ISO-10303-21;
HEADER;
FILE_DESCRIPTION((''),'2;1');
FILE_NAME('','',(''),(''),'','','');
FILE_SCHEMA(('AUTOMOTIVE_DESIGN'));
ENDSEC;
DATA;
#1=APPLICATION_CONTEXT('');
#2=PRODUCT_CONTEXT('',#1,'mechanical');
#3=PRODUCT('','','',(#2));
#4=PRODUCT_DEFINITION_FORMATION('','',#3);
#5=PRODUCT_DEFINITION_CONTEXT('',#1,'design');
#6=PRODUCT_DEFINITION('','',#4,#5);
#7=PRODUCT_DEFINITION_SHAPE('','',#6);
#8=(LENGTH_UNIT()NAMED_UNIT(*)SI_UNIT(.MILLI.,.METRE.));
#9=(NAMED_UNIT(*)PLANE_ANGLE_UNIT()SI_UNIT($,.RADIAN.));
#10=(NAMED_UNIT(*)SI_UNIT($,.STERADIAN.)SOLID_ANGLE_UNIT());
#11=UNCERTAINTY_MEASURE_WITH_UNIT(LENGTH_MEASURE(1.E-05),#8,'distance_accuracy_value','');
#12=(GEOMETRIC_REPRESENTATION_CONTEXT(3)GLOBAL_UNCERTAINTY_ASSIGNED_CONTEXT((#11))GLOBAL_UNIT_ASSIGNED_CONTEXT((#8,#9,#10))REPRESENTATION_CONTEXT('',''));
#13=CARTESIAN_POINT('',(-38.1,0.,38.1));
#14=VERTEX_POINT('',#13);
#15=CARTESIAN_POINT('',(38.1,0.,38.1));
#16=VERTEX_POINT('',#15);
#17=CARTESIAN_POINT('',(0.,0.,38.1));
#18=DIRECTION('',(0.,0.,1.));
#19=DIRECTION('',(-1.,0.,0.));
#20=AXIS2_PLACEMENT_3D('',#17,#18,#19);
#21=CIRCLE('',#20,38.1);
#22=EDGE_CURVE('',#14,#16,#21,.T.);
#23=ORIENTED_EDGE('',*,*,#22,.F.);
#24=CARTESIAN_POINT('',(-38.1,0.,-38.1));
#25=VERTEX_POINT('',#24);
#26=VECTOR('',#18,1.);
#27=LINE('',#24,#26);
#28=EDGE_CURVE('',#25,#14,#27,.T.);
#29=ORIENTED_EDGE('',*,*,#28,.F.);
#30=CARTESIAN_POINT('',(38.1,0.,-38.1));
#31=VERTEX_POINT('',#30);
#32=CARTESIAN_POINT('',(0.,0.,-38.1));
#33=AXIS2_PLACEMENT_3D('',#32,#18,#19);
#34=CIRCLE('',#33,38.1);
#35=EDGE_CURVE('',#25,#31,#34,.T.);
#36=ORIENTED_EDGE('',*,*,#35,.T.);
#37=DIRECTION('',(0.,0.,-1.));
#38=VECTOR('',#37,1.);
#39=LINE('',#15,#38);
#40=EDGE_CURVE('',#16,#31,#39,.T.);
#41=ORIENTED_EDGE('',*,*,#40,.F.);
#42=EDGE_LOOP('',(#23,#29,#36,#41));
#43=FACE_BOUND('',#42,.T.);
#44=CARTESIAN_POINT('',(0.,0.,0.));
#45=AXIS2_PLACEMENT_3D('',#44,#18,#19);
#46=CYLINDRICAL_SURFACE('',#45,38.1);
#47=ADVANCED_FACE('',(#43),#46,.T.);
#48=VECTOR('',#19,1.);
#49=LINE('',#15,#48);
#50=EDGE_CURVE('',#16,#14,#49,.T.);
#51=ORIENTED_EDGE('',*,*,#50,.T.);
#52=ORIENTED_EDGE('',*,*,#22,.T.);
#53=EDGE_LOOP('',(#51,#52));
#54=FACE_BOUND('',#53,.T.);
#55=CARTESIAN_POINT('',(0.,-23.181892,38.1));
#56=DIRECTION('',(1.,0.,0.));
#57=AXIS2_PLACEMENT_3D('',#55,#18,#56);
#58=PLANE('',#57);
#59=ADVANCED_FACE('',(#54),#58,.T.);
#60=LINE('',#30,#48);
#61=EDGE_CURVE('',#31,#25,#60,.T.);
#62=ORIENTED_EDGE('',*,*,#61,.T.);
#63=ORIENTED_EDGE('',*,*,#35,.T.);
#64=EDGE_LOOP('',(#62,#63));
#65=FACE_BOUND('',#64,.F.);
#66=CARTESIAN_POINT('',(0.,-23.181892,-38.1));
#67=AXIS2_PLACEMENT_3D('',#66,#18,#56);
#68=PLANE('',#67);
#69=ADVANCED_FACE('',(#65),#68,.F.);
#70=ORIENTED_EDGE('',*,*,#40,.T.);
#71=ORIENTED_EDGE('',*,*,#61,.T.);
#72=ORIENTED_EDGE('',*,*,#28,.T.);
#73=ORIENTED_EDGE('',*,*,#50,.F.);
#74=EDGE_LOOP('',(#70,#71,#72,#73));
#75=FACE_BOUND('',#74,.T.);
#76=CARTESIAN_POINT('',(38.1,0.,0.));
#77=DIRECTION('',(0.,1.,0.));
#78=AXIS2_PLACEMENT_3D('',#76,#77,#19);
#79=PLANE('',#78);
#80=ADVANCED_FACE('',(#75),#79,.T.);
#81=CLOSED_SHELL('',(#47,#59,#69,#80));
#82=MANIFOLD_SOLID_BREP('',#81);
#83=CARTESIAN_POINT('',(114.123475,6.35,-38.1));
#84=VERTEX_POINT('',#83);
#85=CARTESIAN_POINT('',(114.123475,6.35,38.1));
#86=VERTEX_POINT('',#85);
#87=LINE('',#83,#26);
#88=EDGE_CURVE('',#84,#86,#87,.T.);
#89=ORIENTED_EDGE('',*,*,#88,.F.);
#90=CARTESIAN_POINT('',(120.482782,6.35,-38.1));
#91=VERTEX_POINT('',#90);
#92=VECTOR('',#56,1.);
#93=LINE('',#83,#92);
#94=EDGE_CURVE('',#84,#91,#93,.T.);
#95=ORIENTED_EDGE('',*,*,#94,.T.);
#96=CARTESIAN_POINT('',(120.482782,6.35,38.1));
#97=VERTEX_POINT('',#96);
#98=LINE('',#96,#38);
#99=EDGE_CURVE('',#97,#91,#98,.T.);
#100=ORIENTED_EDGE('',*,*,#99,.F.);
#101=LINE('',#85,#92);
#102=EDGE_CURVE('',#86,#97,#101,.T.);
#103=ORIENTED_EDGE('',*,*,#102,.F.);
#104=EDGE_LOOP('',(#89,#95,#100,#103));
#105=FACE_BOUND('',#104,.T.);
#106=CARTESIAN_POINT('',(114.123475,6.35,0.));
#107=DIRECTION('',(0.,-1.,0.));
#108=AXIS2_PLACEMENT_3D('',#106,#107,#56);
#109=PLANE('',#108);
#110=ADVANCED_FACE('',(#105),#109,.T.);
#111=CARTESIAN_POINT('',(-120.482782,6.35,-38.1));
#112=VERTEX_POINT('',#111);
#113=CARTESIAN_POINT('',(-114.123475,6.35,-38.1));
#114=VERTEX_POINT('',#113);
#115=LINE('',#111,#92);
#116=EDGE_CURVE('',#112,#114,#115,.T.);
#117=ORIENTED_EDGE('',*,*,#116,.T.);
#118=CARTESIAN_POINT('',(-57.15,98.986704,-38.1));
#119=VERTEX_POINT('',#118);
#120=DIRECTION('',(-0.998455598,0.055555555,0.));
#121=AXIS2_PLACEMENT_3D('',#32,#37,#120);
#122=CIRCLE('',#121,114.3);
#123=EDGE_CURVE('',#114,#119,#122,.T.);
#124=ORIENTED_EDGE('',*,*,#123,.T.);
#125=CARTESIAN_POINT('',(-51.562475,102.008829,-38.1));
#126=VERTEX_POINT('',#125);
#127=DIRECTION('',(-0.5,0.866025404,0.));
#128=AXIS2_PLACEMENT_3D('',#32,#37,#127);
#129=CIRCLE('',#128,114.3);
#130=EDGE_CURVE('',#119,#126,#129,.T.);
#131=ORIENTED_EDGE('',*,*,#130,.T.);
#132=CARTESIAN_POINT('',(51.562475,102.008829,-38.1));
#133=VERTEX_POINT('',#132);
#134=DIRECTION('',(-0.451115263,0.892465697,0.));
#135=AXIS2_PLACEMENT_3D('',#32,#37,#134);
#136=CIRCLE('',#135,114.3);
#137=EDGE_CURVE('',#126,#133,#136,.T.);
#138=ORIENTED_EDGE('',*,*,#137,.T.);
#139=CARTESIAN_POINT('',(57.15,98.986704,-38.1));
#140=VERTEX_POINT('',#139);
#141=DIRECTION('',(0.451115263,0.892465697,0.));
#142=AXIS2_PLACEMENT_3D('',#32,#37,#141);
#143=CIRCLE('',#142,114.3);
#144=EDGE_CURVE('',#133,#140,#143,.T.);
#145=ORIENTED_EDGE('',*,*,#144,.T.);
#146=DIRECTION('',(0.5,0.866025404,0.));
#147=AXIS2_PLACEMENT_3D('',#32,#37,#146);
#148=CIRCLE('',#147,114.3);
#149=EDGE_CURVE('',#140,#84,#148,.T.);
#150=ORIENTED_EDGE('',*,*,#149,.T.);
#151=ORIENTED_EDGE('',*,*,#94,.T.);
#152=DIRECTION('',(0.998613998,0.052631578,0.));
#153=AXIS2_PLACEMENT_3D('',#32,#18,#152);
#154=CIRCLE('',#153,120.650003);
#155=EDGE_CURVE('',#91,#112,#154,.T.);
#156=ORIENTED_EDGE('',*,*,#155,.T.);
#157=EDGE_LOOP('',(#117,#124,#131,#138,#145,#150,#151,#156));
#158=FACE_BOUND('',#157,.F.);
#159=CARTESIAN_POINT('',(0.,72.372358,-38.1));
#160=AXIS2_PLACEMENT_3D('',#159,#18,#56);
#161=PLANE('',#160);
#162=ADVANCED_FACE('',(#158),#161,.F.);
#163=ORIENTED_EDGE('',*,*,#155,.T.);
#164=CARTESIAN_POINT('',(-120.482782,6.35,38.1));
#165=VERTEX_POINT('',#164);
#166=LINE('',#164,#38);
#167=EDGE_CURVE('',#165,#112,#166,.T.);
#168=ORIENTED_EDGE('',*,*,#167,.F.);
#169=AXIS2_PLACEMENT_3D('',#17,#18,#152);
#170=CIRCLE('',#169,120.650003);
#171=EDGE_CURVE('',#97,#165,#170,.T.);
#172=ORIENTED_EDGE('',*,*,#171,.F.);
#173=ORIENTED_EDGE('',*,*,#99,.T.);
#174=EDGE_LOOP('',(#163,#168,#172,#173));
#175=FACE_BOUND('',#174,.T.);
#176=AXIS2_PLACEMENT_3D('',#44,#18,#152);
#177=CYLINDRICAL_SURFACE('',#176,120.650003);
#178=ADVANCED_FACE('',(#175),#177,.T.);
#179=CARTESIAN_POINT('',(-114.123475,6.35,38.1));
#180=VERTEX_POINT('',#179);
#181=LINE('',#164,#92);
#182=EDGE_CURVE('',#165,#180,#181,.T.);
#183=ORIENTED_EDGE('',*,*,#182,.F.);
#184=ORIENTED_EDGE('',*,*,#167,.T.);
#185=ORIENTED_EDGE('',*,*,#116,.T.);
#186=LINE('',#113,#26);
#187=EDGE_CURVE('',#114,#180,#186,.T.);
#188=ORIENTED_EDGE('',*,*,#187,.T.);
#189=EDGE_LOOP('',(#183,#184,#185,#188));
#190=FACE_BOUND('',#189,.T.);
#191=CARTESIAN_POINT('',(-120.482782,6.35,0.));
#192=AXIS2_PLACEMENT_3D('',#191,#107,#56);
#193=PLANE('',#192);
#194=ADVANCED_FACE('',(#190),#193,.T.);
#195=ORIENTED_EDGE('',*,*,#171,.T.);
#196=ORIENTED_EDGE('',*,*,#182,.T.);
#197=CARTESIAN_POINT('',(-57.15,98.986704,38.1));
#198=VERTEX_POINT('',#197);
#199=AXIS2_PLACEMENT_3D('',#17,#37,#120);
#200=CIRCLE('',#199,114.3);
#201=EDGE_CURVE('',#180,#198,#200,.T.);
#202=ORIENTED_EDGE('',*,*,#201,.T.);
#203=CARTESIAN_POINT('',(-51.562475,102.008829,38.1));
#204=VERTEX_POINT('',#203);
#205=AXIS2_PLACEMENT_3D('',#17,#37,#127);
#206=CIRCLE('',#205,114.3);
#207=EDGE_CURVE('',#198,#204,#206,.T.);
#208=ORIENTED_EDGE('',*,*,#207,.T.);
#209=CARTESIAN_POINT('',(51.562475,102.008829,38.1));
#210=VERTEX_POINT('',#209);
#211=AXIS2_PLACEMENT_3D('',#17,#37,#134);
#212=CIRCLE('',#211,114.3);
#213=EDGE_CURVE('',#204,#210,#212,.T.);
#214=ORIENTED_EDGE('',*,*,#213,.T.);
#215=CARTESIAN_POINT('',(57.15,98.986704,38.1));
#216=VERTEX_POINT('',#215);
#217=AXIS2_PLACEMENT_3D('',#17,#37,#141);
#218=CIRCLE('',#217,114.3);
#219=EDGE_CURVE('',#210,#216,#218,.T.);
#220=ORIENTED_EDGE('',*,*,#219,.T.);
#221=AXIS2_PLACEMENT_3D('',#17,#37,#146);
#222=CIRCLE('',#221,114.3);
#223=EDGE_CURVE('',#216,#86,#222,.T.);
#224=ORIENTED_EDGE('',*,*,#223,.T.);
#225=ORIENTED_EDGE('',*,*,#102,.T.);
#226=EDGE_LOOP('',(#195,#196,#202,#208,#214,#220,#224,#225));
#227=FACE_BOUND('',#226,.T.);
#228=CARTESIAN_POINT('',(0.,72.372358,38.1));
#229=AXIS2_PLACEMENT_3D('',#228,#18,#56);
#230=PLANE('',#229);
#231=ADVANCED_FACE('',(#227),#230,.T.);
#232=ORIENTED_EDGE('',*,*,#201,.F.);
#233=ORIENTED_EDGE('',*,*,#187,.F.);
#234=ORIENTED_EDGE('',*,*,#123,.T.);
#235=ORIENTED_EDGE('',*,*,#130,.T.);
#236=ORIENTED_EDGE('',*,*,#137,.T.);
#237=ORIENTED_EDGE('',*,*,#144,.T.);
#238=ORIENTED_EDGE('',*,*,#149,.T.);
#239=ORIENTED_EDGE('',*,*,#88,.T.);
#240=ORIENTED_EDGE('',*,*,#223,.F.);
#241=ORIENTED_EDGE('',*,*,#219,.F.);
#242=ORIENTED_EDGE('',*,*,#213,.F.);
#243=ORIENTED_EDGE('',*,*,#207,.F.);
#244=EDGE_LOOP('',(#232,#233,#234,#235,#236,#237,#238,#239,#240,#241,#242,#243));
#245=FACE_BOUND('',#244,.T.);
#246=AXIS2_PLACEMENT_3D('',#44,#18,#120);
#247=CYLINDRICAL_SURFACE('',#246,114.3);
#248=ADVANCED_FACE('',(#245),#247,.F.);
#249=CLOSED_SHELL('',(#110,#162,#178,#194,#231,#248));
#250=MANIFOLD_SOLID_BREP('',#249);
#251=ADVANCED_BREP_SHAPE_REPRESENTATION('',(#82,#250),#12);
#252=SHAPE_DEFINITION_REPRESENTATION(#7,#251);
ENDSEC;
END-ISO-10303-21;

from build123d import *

# Parameters (mm, degrees)
F1_DEPTH = 38.1000004709
F2_DEPTH = 38.1


with BuildPart() as f1:
    # F0 (on Top) → F1 (new body, symmetric)
    with BuildSketch(Plane.XY):
        with BuildLine():
            Line((-120.4827820438, 6.3499999233), (-114.1234748024, 6.3499999233))
            ThreePointArc((-114.1234748024, 6.3499999233), (-97.3603641744, 59.878622962), (-57.15, 98.9867036526))
            ThreePointArc((-57.15, 98.9867036526), (-54.3772364315, 100.5365911401), (-51.562474562, 102.0088291132))
            ThreePointArc((-51.562474562, 102.0088291132), (0, 114.3), (51.562474562, 102.0088291132))
            ThreePointArc((51.562474562, 102.0088291132), (54.3772364315, 100.5365911401), (57.15, 98.9867036526))
            ThreePointArc((57.15, 98.9867036526), (97.3603641543, 59.8786229947), (114.1234747981, 6.35))
            Line((114.1234747981, 6.35), (120.4827820397, 6.35))
            ThreePointArc((120.4827820397, 6.35), (-3.84e-08, 120.6500031829), (-120.4827820438, 6.3499999233))
        make_face()
    extrude(amount=F1_DEPTH, both=True)


with BuildPart() as f2:
    # F0 (on Top) → F2 (new body, symmetric)
    with BuildSketch(Plane.XY):
        with BuildLine():
            Line((0, 0), (-19.05, -32.9955678842))
            ThreePointArc((-19.05, -32.9955678842), (0, -38.1), (19.05, -32.9955678842))
            Line((19.05, -32.9955678842), (0, 0))
        make_face()
        with BuildLine():
            Line((38.1, 0), (0, 0))
            Line((0, 0), (19.05, -32.9955678842))
            ThreePointArc((19.05, -32.9955678842), (32.9955678842, -19.05), (38.1, 0))
        make_face()
        with BuildLine():
            Line((0, 0), (-38.1, 0))
            ThreePointArc((-38.1, 0), (-32.9955678842, -19.05), (-19.05, -32.9955678842))
            Line((-19.05, -32.9955678842), (0, 0))
        make_face()
    extrude(amount=F2_DEPTH, both=True)


solid = Compound([f1.part, f2.part])
